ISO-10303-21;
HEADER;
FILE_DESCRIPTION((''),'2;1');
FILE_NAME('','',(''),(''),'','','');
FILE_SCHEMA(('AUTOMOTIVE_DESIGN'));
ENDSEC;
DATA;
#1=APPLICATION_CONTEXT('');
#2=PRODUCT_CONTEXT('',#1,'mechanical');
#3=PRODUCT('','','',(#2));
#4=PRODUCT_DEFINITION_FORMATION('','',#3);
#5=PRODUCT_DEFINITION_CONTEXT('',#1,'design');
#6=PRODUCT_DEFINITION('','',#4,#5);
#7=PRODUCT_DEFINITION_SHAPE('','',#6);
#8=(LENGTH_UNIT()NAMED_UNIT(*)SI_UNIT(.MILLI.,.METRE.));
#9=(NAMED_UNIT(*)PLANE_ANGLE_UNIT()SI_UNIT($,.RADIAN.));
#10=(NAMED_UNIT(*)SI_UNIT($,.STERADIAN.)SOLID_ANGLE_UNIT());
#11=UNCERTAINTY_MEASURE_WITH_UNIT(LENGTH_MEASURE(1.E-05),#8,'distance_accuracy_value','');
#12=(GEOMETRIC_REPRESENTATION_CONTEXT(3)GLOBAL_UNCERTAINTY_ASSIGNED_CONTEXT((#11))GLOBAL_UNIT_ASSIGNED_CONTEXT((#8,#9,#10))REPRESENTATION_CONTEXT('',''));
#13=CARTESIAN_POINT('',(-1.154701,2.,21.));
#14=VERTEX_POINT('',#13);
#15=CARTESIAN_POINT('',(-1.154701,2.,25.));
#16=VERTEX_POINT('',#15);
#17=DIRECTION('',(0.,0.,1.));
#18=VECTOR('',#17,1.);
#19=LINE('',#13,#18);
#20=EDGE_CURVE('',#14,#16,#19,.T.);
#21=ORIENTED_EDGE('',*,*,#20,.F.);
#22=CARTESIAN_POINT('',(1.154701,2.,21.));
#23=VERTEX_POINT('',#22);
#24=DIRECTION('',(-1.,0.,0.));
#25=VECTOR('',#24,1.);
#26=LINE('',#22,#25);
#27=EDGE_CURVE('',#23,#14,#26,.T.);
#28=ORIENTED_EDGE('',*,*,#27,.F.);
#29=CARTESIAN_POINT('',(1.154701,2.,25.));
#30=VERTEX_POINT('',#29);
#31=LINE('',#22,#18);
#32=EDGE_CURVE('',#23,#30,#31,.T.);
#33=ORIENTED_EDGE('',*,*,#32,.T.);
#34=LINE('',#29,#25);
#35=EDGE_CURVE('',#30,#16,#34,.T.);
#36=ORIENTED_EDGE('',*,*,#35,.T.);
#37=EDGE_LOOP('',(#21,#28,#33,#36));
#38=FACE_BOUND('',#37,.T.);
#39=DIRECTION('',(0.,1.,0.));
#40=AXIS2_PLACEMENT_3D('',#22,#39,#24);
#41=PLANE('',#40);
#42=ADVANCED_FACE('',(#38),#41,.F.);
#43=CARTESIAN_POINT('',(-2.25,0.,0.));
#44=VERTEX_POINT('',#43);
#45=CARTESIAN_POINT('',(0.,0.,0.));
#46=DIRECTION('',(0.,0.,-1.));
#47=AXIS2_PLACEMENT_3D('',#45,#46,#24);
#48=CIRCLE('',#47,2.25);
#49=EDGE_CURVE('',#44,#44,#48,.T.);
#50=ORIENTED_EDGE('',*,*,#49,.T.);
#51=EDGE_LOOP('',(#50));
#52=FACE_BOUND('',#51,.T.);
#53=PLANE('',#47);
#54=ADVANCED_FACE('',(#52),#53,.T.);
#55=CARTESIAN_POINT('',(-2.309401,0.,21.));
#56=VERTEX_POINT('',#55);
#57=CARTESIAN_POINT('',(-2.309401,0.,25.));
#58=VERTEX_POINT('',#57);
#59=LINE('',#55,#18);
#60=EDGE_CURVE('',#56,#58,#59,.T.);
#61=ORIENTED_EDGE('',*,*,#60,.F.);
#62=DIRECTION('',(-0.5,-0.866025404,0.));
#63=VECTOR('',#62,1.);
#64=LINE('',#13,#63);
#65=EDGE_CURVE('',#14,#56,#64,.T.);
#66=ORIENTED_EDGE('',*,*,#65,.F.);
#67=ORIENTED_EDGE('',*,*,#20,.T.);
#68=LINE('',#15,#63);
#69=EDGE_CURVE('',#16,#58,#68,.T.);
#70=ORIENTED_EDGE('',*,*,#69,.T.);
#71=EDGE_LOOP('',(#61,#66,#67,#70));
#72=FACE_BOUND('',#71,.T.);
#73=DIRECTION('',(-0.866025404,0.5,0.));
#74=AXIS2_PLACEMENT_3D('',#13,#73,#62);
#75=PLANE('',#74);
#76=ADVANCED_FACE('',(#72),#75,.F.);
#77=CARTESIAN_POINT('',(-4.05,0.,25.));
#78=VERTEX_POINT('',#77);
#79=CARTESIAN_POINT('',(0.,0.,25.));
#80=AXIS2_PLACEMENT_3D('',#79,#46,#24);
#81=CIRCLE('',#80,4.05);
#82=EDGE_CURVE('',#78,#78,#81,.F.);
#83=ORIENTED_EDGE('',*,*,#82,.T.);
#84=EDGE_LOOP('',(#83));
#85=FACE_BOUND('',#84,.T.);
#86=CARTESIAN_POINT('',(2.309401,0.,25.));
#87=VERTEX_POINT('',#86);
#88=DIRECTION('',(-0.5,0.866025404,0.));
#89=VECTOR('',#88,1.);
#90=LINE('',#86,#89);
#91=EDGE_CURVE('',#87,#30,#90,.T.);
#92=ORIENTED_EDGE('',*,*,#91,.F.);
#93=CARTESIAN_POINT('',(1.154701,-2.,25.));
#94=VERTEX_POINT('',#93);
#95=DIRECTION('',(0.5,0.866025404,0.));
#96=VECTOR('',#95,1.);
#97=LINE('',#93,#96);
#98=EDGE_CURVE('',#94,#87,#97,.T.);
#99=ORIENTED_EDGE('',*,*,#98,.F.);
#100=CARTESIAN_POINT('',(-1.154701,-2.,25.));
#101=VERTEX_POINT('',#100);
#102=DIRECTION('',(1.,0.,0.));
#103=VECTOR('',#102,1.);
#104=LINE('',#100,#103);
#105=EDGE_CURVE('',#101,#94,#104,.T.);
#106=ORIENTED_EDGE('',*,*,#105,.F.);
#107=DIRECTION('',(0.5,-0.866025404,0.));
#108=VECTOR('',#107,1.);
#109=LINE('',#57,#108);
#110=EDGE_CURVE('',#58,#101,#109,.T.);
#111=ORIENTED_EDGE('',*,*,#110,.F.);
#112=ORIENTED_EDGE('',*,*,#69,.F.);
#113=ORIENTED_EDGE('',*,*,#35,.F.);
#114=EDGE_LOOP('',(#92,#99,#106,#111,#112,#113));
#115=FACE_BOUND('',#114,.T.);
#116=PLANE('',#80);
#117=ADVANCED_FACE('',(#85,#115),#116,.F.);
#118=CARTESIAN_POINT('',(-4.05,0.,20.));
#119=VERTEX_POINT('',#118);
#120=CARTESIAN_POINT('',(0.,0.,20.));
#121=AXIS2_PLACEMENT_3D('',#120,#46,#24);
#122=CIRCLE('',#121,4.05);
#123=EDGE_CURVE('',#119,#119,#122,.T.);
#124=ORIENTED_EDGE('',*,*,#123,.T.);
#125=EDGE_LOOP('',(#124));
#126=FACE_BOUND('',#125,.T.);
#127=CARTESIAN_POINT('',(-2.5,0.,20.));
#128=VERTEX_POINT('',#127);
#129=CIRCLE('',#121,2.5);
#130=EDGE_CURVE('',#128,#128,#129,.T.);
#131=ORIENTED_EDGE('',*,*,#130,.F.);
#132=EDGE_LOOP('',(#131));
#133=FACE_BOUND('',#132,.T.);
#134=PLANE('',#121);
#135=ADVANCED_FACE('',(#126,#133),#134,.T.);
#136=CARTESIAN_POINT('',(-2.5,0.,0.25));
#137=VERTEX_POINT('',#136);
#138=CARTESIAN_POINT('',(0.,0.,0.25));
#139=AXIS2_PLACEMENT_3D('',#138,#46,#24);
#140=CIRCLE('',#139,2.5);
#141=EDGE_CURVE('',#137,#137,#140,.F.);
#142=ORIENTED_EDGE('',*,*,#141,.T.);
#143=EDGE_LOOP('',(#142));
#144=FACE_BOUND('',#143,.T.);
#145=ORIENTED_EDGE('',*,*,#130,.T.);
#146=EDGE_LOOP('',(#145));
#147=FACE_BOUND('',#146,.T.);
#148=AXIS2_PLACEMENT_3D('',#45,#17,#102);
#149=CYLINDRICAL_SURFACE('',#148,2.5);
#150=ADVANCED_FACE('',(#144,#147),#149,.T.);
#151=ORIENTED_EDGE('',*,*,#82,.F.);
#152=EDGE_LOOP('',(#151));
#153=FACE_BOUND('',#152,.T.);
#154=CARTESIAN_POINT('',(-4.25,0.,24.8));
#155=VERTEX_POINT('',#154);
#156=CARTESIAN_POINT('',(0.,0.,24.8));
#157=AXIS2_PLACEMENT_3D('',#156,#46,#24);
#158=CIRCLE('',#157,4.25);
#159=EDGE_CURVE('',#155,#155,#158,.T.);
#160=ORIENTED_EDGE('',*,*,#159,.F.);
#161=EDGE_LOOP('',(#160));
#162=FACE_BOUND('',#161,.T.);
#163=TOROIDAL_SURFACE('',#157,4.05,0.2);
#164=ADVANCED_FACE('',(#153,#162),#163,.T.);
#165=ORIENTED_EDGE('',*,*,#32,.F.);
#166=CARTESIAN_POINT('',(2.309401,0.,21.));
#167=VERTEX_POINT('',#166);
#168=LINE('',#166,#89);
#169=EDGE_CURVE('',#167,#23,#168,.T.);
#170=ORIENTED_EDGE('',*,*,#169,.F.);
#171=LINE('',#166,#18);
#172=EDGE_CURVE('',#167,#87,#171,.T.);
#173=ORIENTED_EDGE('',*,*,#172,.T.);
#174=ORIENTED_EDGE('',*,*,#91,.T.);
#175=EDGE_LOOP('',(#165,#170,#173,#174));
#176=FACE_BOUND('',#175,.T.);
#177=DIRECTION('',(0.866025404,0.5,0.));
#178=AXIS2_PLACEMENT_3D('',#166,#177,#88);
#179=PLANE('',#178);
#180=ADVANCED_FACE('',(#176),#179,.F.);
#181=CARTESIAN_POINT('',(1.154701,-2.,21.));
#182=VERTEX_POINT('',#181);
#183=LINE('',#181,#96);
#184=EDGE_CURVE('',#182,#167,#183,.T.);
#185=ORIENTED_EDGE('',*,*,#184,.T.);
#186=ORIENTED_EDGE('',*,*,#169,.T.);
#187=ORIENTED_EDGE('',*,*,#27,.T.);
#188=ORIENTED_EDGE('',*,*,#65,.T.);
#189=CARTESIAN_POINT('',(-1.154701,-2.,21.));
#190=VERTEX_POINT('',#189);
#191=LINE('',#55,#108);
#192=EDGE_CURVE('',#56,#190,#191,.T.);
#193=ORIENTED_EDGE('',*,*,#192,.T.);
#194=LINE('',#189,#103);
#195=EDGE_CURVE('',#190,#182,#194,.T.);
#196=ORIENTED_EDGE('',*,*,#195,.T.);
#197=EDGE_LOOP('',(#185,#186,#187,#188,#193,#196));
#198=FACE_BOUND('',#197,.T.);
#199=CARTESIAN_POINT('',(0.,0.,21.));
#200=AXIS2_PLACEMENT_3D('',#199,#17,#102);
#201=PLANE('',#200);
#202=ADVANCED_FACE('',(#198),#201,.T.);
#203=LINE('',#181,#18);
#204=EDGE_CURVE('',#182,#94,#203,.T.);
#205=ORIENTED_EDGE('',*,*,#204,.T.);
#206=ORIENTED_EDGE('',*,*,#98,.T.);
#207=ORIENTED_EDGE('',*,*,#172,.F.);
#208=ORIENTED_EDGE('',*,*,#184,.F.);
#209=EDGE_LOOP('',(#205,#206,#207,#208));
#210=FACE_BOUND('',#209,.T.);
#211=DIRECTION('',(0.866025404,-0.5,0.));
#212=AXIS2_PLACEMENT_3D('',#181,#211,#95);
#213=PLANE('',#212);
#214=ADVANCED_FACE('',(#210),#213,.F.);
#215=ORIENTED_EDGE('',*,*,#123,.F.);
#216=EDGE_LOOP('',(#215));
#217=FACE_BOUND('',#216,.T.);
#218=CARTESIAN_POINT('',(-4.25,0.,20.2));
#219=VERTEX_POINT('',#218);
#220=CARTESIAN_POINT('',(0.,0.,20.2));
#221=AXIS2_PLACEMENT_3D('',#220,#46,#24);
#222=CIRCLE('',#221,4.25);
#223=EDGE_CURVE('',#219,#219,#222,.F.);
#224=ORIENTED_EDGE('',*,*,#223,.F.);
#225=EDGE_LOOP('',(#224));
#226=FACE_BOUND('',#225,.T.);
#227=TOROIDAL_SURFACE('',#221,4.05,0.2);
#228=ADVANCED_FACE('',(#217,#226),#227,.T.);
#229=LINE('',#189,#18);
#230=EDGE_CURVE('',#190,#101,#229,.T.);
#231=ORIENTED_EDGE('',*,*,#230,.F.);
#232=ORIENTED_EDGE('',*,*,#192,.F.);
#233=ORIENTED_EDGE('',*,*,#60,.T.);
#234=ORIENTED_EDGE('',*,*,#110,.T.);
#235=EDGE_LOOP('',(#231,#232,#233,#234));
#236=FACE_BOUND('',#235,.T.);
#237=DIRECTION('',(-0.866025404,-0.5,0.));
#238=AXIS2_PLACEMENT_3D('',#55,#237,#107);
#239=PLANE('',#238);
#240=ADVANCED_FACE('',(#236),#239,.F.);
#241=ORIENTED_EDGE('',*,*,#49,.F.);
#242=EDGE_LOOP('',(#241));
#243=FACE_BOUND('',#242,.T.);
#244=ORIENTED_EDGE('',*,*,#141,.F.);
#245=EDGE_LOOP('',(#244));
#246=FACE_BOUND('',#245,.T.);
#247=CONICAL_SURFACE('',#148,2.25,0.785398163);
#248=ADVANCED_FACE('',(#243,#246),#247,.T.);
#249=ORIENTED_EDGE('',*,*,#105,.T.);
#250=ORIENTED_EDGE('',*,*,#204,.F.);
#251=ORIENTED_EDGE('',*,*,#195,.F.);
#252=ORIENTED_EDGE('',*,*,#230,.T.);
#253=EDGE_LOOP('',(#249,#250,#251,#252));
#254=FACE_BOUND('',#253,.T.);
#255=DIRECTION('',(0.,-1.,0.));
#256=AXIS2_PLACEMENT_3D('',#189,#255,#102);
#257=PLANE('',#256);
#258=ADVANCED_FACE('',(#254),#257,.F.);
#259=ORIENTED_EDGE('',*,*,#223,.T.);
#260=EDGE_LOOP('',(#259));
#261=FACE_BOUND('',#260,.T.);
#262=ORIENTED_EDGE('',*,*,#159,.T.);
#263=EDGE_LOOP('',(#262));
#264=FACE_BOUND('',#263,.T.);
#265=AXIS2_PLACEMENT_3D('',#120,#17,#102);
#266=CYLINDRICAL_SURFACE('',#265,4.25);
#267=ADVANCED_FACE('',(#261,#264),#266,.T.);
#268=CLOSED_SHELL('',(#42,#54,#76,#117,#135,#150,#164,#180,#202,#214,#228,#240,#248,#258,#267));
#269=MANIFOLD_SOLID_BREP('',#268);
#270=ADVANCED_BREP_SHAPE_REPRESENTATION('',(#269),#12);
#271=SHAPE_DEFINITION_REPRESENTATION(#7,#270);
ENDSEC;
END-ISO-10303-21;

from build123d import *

# Parameters (mm, degrees)
SKETCH1_R           = 4.25
BOSS_EXTRUDE1_DEPTH = 5
SKETCH2_R           = 2.5
BOSS_EXTRUDE2_DEPTH = 20
CUT_EXTRUDE1_DEPTH  = 4
CHAMFER1_SIZE       = 0.25
FILLET1_R           = 0.2


with BuildPart() as part:
    # Sketch1 → Boss-Extrude1 (new body)
    with BuildSketch(Plane.XY.offset(25)):
        Circle(SKETCH1_R)
    extrude(amount=-BOSS_EXTRUDE1_DEPTH)

    # Sketch2 → Boss-Extrude2 (add)
    with BuildSketch(Plane(origin=(0, 0, 20), x_dir=(-1, 0, 0), z_dir=(0, 0, -1))):
        Circle(SKETCH2_R)
    extrude(amount=BOSS_EXTRUDE2_DEPTH)

    # Sketch3 → Cut-Extrude1 (cut)
    with BuildSketch(Plane.XY.offset(25)):
        Polygon((-2.309401077, 0), (-1.154700538, -2), (1.154700538, -2), (2.309401077, 0), (1.154700538, 2), (-1.154700538, 2), align=None)
    extrude(amount=-CUT_EXTRUDE1_DEPTH, mode=Mode.SUBTRACT)

    # Chamfer1
    chamfer1_edges = [part.edges().sort_by_distance(p)[0] for p in [
        (2.5, 0, 0),
    ]]
    chamfer(chamfer1_edges, length=CHAMFER1_SIZE)

    # Fillet1
    fillet1_edges = [part.edges().sort_by_distance(p)[0] for p in [
        (-4.25, 0, 20),
        (-4.25, 0, 25),
    ]]
    fillet(fillet1_edges, radius=FILLET1_R)


solid = part.part
